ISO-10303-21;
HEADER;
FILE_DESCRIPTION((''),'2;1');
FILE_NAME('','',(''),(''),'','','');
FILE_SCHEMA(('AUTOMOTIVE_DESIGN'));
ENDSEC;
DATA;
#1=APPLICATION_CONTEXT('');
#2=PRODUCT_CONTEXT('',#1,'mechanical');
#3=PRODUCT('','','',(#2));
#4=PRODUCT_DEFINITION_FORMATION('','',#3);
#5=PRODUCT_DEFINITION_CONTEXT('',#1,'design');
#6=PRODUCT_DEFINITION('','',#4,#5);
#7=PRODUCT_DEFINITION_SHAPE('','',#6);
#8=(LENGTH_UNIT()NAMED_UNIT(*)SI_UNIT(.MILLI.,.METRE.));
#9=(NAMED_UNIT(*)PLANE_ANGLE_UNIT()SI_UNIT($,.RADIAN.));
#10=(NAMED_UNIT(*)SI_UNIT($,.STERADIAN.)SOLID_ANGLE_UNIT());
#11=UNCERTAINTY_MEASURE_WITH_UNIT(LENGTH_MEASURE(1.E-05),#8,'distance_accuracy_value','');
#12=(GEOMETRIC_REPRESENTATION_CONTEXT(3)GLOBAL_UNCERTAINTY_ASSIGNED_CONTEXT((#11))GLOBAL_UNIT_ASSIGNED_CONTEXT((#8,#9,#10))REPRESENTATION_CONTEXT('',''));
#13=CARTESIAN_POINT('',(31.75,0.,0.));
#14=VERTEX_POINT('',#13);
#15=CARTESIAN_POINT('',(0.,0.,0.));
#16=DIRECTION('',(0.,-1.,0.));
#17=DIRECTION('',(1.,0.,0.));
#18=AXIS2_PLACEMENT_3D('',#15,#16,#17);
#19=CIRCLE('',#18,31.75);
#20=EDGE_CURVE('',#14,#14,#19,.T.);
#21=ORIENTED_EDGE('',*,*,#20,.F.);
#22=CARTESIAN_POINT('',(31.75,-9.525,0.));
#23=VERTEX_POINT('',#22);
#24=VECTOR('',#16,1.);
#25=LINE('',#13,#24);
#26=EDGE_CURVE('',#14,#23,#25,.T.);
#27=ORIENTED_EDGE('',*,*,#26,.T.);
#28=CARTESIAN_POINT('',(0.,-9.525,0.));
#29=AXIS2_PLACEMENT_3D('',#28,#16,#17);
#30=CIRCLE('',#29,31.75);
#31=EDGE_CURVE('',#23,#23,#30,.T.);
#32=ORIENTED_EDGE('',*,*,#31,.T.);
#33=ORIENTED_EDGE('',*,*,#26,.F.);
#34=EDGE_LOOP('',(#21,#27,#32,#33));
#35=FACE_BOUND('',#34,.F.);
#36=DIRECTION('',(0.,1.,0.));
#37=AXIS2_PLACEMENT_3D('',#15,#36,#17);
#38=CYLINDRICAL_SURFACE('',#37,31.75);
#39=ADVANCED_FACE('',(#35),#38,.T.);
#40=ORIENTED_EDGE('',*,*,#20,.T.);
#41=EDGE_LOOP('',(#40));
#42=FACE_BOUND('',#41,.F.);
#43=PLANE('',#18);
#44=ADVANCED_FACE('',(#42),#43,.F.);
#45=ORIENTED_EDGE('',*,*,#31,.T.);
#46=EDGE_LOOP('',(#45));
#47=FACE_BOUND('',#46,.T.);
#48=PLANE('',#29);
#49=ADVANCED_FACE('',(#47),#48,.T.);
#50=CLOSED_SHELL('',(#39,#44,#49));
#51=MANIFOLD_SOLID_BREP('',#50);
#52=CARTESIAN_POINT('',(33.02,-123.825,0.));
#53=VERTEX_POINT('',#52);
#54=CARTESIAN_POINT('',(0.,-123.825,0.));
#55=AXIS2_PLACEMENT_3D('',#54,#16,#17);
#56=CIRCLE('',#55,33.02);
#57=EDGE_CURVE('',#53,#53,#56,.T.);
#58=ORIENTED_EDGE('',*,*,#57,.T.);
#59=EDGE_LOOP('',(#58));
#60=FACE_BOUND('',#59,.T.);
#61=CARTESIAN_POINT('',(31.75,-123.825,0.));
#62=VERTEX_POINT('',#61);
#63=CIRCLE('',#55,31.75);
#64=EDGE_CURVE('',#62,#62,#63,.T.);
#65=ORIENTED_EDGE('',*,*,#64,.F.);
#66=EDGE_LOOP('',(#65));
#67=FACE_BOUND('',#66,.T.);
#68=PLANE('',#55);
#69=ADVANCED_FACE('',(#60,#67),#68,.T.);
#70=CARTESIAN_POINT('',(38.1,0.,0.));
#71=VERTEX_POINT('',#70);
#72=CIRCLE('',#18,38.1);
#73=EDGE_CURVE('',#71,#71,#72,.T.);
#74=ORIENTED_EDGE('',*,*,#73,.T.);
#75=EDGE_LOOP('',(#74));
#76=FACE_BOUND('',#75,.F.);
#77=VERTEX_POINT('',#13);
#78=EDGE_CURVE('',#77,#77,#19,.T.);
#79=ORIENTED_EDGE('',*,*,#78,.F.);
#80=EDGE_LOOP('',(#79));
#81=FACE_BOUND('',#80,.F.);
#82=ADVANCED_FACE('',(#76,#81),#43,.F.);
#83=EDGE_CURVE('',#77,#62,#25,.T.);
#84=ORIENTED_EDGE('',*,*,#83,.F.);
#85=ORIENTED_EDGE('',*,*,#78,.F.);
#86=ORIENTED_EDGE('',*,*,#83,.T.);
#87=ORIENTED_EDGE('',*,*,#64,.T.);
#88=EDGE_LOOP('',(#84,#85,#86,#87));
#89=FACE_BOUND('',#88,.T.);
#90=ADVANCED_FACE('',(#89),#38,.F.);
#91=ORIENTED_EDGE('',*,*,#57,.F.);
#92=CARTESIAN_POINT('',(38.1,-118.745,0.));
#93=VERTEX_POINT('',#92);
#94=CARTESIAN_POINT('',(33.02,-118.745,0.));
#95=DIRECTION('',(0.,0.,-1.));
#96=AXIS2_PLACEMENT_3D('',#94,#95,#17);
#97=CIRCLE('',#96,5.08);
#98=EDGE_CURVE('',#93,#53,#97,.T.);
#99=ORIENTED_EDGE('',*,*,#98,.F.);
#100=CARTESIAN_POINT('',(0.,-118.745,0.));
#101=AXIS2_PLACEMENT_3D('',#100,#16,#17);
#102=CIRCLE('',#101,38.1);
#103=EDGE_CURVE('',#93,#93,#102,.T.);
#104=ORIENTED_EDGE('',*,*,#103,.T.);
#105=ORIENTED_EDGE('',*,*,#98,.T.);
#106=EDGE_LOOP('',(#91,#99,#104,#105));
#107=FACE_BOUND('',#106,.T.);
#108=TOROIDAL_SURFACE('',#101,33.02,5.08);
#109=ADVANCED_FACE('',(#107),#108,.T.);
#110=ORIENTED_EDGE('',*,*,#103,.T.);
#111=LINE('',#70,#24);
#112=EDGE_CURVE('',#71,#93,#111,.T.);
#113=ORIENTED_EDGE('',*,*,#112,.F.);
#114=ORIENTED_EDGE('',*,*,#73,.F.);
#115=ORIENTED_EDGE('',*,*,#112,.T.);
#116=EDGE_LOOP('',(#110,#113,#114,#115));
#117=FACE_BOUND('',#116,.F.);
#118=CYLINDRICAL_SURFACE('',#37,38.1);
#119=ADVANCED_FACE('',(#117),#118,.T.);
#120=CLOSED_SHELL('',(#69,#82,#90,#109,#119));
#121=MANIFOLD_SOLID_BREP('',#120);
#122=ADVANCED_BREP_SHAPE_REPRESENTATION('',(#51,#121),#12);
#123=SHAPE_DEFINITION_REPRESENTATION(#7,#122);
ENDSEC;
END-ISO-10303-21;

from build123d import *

# Parameters (mm, degrees)
F0_R     = 31.75
F1_DEPTH = 9.525
F0_R_2   = 38.1
F2_DEPTH = 123.825
F3_R     = 5.08


with BuildPart() as f1:
    # F0 (on Front) → F1 (new body)
    with BuildSketch(Plane.XZ):
        Circle(F0_R)
    extrude(amount=F1_DEPTH)


with BuildPart() as f2:
    # F0 (on Front) → F2 (new body)
    with BuildSketch(Plane.XZ):
        Circle(F0_R_2)
        Circle(F0_R, mode=Mode.SUBTRACT)
    extrude(amount=F2_DEPTH)

    # F3
    f3_edges = [f2.edges().sort_by_distance(p)[0] for p in [
        (-38.1, -123.825, 0),
    ]]
    fillet(f3_edges, radius=F3_R)


solid = Compound([f1.part, f2.part])
